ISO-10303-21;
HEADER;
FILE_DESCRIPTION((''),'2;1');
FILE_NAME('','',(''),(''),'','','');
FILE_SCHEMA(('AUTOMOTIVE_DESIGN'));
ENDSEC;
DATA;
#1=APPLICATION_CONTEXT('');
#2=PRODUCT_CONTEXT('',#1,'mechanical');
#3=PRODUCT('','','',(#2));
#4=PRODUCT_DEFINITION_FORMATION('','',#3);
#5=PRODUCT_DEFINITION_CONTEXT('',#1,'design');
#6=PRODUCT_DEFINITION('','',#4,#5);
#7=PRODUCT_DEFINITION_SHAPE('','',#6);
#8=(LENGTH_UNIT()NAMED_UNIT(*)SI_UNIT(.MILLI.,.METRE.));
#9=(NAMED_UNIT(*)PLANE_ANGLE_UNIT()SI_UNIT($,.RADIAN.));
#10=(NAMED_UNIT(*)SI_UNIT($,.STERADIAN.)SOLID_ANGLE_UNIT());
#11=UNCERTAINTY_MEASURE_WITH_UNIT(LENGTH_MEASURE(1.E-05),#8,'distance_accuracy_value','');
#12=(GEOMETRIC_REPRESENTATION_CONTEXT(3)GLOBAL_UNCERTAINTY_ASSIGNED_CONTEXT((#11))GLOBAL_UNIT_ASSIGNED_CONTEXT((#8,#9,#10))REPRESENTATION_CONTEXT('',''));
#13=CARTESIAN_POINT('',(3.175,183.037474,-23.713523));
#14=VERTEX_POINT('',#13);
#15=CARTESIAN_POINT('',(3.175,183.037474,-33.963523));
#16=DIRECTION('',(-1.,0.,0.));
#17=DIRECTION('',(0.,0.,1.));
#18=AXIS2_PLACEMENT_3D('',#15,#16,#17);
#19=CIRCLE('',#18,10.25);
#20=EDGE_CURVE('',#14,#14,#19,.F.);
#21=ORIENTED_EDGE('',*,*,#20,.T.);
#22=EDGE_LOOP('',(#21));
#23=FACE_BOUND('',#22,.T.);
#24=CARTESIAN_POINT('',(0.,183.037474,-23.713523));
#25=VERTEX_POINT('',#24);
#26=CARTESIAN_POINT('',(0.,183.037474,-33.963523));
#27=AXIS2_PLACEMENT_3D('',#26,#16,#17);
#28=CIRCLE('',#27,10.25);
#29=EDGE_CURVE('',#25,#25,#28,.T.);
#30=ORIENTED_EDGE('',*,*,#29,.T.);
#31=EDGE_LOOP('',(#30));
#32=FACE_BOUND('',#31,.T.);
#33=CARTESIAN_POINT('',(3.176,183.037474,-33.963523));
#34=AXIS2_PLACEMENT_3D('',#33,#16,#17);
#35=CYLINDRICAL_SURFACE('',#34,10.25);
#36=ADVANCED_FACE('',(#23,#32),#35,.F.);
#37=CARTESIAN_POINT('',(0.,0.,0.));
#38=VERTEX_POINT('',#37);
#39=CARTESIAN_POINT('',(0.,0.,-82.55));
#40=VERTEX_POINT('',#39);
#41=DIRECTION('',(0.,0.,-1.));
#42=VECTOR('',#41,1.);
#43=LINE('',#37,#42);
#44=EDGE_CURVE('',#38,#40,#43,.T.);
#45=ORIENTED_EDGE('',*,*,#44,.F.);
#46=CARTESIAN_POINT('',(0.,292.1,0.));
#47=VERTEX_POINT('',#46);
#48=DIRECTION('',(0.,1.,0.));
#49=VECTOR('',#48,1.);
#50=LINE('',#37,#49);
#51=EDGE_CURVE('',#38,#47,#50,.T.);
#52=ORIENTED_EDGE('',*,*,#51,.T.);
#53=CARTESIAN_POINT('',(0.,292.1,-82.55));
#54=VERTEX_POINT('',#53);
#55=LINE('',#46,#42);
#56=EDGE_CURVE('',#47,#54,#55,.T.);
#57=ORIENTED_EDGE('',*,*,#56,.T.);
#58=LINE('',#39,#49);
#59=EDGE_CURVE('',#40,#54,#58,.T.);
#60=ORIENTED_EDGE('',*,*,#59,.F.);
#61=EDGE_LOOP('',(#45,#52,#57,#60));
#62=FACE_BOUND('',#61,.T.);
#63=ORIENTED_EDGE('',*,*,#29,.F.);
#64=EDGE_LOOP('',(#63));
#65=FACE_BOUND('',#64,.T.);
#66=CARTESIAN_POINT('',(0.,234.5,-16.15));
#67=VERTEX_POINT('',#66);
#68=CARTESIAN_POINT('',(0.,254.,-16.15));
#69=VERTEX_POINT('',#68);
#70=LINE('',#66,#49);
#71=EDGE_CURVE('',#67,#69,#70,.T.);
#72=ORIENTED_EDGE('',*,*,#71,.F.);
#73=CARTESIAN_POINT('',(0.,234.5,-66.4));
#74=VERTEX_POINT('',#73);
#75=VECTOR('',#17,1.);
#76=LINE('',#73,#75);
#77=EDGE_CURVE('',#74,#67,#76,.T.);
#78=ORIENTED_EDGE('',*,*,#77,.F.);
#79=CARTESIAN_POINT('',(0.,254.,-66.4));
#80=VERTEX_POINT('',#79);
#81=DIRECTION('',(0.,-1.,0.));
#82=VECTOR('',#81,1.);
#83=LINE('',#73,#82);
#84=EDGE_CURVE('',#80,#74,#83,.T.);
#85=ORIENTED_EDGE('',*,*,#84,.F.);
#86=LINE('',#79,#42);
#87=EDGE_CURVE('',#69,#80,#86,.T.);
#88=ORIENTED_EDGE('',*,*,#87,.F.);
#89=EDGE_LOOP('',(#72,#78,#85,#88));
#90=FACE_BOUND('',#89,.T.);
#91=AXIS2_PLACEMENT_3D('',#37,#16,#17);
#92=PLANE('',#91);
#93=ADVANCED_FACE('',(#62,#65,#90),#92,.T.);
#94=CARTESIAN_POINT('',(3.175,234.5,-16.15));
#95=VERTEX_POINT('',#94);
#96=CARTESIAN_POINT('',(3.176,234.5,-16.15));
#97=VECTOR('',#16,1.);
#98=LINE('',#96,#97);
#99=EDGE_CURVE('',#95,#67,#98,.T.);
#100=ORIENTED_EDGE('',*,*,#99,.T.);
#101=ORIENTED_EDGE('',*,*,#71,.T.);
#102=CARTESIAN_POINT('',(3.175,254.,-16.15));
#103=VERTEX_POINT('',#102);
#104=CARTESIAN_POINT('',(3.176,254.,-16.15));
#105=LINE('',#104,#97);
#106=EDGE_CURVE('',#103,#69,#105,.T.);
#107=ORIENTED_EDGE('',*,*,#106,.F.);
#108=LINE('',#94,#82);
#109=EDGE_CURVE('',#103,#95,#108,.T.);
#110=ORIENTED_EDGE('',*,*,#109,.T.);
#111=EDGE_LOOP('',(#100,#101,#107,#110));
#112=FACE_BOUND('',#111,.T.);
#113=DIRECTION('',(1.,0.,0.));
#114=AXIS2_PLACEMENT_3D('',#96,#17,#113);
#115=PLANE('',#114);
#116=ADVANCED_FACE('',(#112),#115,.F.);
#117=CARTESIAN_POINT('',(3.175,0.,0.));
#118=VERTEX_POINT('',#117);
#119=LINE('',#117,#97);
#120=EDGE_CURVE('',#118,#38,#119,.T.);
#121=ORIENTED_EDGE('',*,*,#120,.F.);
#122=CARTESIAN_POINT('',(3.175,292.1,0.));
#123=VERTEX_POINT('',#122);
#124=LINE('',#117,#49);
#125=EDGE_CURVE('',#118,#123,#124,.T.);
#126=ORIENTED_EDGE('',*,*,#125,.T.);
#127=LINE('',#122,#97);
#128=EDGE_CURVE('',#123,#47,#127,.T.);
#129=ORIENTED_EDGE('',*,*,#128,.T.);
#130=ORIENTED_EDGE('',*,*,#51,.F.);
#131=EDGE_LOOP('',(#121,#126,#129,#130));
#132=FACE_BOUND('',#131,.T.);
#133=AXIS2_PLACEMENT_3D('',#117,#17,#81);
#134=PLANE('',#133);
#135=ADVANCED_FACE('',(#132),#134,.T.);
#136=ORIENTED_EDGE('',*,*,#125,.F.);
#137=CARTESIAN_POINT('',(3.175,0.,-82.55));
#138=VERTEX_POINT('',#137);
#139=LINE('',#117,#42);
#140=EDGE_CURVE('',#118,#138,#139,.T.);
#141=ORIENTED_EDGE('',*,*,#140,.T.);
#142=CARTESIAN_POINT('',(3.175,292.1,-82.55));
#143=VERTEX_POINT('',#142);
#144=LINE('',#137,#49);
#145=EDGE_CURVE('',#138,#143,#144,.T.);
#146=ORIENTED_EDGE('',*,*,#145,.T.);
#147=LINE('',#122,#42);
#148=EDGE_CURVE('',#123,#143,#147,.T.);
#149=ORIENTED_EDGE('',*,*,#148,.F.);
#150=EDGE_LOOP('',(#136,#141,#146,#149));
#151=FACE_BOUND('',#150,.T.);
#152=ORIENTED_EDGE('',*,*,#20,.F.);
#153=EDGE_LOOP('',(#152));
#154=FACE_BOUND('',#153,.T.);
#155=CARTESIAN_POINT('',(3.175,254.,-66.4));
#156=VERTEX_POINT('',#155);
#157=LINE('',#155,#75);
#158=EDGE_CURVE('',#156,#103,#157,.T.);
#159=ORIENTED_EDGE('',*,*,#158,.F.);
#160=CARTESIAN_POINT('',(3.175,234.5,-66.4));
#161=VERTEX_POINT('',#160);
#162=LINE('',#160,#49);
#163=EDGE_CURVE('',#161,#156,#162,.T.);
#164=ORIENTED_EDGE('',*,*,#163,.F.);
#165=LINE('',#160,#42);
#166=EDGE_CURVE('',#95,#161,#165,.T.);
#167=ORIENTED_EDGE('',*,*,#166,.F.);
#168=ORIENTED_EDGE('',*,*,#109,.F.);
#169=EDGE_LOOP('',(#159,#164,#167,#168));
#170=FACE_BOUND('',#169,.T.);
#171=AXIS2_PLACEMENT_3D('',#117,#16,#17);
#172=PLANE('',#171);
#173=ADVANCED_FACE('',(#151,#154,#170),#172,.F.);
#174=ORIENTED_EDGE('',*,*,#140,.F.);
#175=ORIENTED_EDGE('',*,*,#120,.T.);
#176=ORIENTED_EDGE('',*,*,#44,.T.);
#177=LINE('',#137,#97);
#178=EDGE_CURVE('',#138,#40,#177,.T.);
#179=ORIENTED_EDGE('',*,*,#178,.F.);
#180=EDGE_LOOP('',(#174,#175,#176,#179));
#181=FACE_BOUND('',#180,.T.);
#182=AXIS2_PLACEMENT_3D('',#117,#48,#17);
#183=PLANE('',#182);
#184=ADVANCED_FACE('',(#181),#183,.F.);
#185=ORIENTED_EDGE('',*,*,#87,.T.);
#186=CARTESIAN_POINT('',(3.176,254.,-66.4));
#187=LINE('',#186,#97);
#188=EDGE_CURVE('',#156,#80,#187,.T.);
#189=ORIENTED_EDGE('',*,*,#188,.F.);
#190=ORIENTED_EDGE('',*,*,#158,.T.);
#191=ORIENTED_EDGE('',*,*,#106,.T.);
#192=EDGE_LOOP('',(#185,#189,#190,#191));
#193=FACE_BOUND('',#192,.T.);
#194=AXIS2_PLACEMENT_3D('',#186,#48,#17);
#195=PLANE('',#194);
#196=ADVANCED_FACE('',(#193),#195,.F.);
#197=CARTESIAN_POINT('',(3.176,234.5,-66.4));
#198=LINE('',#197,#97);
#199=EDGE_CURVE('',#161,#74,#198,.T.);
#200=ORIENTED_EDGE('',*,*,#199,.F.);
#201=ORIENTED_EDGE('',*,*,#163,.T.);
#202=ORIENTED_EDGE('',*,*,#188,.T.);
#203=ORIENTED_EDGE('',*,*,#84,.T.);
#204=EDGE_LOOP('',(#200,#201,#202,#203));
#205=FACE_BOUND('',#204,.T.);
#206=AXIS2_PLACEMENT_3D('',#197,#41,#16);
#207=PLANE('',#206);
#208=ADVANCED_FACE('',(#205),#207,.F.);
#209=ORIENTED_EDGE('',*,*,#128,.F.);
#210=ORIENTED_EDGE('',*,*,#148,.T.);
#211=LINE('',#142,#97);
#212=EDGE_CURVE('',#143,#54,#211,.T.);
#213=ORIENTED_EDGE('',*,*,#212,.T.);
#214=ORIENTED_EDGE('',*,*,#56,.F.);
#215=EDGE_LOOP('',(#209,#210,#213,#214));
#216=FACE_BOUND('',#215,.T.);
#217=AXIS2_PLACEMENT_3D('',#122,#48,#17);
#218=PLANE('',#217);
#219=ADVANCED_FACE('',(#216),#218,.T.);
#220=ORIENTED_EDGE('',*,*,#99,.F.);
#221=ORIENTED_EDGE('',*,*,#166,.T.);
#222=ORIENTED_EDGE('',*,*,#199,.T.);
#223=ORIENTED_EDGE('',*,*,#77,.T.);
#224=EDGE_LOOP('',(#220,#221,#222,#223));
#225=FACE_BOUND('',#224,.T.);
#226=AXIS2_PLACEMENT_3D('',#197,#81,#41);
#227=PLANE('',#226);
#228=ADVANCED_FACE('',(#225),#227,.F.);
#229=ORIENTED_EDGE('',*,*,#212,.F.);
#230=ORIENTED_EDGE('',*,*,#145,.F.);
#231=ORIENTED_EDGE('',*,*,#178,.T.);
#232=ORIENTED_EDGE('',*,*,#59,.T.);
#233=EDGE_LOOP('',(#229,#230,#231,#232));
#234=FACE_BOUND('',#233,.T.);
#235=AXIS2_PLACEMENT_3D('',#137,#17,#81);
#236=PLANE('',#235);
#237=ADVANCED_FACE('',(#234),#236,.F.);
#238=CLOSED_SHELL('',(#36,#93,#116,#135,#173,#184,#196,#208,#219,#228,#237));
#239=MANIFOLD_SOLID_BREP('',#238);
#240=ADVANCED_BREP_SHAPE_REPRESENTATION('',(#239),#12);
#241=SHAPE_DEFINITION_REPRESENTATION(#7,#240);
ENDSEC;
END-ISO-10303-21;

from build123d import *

# Parameters (mm, degrees)
SKETCH1_W           = 82.55
SKETCH1_H           = 292.1
BOSS_EXTRUDE1_DEPTH = 3.175
CUT_EXTRUDE1_REACH  = 305.557
SKETCH2_W           = 50.25
SKETCH2_H           = 19.5
CUT_EXTRUDE2_REACH  = 305.557
SKETCH4_R           = 10.25


with BuildPart() as part:
    # Sketch1 → Boss-Extrude1 (new body)
    with BuildSketch(Plane(origin=(0, 0, 0), x_dir=(0, 0, -1), z_dir=(1, 0, 0))):
        with Locations((41.275, 146.05)):
            Rectangle(SKETCH1_W, SKETCH1_H)
    extrude(amount=BOSS_EXTRUDE1_DEPTH)

    # Sketch2 → Cut-Extrude1 (cut, up to next)
    with BuildSketch(Plane.ZY, mode=Mode.PRIVATE) as cut_extrude1_sk1:
        with Locations((-41.275, 244.25)):
            Rectangle(SKETCH2_W, SKETCH2_H)
    cut_extrude1_tool1 = extrude(cut_extrude1_sk1.sketch, amount=-CUT_EXTRUDE1_REACH, mode=Mode.PRIVATE) & part.part
    add(cut_extrude1_tool1.solids().sort_by_distance((0, 244.25, -41.275))[0], mode=Mode.SUBTRACT)

    # Sketch4 → Cut-Extrude2 (cut, up to next)
    with BuildSketch(Plane.ZY, mode=Mode.PRIVATE) as cut_extrude2_sk1:
        with Locations((-33.963522547, 183.037474176)):
            Circle(SKETCH4_R)
    cut_extrude2_tool1 = extrude(cut_extrude2_sk1.sketch, amount=-CUT_EXTRUDE2_REACH, mode=Mode.PRIVATE) & part.part
    add(cut_extrude2_tool1.solids().sort_by_distance((0, 183.037474, -33.963523))[0], mode=Mode.SUBTRACT)


solid = part.part
